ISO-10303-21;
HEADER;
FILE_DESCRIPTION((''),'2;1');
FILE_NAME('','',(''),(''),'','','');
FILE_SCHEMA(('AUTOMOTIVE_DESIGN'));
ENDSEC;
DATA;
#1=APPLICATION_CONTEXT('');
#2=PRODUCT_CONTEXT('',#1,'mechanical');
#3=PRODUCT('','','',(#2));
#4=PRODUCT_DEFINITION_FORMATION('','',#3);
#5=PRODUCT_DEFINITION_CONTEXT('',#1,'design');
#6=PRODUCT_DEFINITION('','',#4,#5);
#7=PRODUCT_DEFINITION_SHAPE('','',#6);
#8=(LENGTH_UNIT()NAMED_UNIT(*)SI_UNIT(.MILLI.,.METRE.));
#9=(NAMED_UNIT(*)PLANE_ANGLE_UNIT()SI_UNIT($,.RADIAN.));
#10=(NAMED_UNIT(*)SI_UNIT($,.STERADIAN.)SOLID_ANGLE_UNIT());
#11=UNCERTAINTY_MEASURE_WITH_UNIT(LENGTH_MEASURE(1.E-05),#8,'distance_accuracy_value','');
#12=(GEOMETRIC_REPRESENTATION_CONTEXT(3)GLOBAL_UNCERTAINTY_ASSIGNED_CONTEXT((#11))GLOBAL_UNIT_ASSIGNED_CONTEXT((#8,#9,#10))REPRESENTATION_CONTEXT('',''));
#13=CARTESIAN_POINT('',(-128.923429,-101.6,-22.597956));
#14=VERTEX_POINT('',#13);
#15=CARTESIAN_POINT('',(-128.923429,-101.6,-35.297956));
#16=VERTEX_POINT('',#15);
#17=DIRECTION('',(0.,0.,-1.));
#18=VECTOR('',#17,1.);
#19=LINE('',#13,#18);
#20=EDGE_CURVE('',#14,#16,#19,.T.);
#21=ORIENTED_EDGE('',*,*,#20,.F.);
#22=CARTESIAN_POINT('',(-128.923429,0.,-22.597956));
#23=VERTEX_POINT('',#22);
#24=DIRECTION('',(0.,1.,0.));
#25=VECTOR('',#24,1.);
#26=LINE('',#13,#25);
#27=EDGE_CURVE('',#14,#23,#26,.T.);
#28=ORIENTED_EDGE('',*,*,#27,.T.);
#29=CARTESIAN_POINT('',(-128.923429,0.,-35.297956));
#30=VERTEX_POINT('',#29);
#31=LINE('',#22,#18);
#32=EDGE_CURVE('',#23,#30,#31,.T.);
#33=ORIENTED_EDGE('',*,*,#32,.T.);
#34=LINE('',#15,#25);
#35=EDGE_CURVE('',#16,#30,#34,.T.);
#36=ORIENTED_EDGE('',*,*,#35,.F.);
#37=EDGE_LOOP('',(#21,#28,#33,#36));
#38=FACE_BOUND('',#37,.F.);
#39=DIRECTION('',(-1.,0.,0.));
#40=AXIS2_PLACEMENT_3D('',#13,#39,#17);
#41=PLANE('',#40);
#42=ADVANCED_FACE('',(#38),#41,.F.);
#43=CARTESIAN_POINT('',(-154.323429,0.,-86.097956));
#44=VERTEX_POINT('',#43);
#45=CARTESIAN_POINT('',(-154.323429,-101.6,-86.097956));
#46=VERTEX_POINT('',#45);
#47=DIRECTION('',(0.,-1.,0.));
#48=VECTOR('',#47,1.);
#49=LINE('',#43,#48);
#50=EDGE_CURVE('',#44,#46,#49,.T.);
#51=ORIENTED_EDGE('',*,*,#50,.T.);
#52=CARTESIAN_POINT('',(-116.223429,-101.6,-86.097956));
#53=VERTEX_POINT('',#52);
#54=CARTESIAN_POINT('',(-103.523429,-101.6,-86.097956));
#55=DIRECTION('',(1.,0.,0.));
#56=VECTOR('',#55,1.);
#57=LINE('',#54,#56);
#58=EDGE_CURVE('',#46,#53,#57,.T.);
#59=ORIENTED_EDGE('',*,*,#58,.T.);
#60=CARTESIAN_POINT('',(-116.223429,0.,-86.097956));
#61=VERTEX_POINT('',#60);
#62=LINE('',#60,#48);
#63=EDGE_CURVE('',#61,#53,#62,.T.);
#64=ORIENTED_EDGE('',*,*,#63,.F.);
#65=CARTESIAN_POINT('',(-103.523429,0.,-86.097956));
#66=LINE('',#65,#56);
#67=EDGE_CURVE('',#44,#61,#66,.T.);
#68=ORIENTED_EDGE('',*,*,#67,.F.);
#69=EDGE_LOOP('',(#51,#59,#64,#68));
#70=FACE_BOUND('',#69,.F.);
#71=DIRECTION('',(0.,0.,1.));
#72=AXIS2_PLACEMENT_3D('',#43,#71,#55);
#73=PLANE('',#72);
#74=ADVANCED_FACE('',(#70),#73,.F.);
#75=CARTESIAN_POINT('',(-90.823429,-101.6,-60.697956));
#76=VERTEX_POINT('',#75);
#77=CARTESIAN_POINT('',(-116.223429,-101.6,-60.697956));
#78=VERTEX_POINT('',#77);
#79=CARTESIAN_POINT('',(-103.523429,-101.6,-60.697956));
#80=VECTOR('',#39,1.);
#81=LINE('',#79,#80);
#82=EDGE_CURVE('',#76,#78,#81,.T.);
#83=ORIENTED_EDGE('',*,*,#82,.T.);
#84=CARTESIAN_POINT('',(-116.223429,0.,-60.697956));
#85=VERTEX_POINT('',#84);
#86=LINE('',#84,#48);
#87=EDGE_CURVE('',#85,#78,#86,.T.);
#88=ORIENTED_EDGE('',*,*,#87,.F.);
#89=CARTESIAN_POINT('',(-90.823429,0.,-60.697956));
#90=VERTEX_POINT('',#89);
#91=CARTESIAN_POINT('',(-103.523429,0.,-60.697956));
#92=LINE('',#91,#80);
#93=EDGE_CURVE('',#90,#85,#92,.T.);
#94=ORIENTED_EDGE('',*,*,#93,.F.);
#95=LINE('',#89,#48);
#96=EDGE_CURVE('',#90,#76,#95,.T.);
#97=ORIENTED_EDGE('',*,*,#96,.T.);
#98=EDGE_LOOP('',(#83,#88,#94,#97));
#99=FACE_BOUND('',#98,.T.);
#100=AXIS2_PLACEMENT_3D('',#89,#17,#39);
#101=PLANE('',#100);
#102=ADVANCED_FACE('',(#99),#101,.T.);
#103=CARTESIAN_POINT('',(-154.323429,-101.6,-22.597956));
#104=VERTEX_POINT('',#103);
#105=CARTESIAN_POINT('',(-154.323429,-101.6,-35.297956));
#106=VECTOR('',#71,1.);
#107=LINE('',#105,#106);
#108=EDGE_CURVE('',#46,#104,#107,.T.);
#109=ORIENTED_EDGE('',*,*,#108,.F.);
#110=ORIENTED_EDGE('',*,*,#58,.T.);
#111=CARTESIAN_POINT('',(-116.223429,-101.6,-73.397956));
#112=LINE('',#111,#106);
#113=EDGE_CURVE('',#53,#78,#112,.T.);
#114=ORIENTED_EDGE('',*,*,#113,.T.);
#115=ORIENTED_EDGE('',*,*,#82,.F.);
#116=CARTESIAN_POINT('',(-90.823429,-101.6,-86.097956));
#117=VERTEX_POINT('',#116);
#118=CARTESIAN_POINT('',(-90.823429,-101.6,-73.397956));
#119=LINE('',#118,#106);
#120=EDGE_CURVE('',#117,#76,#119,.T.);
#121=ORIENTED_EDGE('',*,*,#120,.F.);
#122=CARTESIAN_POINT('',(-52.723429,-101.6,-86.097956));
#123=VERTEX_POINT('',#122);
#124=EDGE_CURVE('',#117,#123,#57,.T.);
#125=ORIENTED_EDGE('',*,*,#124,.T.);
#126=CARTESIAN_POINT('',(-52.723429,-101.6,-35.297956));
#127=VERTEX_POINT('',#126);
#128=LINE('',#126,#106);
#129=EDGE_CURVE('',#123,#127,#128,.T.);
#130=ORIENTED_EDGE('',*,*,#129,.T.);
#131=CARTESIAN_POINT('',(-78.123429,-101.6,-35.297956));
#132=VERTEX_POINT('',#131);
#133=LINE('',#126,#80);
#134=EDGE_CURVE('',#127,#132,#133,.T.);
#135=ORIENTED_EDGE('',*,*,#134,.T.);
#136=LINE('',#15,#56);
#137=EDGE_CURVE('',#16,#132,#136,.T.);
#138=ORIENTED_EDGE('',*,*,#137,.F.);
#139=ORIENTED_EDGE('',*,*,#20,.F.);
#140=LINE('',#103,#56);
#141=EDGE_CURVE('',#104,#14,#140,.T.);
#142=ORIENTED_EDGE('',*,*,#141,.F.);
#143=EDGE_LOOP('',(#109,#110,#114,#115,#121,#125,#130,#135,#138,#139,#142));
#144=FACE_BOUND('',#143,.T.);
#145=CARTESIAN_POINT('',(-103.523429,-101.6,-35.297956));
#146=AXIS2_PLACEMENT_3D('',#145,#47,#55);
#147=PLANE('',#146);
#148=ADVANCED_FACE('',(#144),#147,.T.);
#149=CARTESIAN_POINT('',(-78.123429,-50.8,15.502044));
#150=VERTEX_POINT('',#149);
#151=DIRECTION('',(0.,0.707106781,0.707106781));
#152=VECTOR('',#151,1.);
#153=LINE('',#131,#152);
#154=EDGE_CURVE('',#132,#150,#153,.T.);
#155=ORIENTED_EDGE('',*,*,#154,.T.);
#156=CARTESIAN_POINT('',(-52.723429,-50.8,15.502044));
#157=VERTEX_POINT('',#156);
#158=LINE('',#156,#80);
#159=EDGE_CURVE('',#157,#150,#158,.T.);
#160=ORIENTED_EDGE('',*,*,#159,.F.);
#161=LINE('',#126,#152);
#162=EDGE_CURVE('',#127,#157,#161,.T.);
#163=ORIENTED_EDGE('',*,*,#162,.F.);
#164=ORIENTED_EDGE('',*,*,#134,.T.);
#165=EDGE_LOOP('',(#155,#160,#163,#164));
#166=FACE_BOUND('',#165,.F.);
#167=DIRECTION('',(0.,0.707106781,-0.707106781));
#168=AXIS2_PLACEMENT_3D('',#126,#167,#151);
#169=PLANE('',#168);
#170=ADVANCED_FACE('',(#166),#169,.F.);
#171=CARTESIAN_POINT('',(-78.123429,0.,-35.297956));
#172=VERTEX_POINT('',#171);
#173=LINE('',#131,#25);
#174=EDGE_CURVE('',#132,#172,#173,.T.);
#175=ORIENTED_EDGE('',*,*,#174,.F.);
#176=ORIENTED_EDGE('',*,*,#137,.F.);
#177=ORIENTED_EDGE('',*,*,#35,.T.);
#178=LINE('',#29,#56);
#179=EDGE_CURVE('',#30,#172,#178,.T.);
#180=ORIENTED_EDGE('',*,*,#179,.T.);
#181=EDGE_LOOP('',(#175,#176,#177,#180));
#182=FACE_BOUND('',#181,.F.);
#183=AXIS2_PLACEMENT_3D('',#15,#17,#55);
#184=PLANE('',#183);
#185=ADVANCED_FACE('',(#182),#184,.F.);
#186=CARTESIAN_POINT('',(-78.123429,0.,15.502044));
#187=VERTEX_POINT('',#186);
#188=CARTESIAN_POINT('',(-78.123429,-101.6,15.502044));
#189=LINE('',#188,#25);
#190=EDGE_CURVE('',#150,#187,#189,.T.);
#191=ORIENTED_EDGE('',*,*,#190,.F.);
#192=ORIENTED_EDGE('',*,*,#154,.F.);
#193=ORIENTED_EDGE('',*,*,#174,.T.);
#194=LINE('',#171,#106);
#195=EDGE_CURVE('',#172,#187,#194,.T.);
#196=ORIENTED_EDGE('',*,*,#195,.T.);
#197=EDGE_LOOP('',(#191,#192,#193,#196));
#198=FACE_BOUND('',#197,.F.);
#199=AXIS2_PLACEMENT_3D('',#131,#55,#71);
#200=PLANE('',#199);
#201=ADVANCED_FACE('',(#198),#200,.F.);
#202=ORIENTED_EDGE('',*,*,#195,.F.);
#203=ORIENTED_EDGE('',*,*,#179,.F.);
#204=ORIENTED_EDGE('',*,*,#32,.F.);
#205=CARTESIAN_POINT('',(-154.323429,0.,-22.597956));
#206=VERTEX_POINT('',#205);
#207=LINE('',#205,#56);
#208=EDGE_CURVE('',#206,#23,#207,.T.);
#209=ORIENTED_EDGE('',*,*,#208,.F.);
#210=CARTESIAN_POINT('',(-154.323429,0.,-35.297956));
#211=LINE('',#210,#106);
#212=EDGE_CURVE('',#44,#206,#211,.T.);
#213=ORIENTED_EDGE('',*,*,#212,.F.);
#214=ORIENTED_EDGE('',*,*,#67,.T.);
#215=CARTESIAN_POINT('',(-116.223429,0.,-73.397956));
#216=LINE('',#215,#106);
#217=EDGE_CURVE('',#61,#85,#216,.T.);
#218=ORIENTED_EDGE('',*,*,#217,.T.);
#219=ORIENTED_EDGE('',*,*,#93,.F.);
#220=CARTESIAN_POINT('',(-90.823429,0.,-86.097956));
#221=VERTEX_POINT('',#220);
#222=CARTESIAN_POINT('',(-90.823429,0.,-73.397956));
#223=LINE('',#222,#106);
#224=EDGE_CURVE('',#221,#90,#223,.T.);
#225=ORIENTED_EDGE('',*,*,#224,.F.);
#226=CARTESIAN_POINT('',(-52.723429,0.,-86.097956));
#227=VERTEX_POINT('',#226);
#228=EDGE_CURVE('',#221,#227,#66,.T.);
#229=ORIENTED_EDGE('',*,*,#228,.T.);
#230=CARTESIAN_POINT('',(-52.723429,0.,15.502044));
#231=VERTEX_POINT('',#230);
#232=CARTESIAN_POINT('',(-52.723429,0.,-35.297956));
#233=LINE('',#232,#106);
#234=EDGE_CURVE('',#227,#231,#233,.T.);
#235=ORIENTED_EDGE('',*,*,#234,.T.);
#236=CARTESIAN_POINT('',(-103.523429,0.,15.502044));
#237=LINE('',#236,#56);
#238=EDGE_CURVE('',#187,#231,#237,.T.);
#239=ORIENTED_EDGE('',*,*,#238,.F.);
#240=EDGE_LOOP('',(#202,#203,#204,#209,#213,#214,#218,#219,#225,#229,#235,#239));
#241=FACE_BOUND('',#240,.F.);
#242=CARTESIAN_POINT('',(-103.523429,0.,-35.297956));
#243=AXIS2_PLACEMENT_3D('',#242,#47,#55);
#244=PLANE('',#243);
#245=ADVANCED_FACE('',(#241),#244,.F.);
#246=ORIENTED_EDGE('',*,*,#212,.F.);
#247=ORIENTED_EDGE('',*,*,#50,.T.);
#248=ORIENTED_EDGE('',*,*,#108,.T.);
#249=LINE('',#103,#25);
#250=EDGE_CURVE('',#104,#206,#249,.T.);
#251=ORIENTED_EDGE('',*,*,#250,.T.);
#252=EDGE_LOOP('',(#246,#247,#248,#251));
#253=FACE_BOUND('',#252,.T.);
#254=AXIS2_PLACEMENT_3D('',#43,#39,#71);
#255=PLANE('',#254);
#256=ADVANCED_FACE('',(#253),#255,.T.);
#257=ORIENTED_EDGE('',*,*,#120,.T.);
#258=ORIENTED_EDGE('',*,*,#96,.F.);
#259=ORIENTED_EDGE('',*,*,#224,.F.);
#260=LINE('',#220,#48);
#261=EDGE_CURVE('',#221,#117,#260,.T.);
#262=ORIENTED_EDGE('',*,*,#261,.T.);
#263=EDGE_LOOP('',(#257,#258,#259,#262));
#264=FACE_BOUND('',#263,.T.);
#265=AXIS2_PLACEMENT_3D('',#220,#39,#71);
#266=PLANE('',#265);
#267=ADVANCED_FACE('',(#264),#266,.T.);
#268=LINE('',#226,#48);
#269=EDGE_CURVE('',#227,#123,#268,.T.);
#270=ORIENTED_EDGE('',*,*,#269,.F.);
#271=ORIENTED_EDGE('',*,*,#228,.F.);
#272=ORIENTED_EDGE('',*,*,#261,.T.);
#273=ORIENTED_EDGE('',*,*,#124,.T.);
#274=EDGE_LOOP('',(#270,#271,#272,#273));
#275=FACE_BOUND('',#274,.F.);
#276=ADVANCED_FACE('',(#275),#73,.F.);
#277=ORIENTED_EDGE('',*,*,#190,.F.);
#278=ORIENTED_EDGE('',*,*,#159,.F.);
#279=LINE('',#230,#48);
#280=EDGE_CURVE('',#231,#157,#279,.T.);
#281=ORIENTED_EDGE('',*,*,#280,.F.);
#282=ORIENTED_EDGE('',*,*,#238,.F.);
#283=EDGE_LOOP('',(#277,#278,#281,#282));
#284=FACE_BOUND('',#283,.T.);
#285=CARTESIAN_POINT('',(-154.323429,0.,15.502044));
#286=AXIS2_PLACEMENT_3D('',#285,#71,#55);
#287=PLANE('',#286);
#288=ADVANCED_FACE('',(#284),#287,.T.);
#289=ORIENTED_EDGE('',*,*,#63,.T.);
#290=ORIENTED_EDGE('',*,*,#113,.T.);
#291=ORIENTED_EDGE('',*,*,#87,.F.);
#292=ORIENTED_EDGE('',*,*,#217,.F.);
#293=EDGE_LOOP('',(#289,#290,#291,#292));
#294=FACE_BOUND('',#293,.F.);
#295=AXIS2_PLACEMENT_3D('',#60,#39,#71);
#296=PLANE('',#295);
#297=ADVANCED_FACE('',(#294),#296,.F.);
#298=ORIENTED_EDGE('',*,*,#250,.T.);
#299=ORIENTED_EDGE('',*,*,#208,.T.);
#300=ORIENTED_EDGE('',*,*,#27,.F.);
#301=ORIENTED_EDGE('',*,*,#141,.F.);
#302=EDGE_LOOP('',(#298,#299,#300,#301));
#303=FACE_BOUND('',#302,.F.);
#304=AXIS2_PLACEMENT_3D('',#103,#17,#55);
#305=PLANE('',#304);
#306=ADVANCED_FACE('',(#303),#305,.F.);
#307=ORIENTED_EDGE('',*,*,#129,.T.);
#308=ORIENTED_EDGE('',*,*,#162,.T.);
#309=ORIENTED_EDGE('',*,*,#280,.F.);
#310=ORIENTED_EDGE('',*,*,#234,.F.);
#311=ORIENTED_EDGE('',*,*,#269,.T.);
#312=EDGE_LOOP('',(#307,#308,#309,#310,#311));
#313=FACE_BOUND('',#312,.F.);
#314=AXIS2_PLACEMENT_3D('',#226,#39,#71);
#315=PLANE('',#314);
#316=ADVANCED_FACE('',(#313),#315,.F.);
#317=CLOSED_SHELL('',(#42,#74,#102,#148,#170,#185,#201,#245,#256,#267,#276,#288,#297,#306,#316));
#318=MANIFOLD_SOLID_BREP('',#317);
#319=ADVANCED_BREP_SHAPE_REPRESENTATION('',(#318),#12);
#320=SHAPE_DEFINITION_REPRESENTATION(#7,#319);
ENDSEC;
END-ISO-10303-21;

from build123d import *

# Parameters (mm, degrees)
F0_W     = 101.6
F0_H     = 101.6
F1_DEPTH = 101.6
F3_DEPTH = 101.6
F5_DEPTH = 25.4
F6_W     = 25.4
F6_H     = 25.4
F7_DEPTH = 101.6


with BuildPart() as f1:
    # F0 (on Front) → F1 (new body)
    with BuildSketch(Plane.XZ):
        with Locations((-103.523429, -35.297956)):
            Rectangle(F0_W, F0_H)
    extrude(amount=F1_DEPTH)

    # F2 (on face) → F3 (cut)
    with BuildSketch(Plane.XZ.offset(101.6)):
        Polygon((-78.123429, -35.297956), (-78.123429, 15.502044), (-154.323429, 15.502044), (-154.323429, -22.597956), (-128.923429, -22.597956), (-128.923429, -35.297956), align=None)
    extrude(amount=-F3_DEPTH, mode=Mode.SUBTRACT)

    # F4 (on face) → F5 (cut)
    with BuildSketch(Plane.YZ.offset(-52.723429)):
        Polygon((-101.6, 15.502044), (-101.6, -35.297956), (-50.8, 15.502044), align=None)
    extrude(amount=-F5_DEPTH, mode=Mode.SUBTRACT)

    # F6 (on face) → F7 (cut)
    with BuildSketch(Plane(origin=(0, 0, 0), x_dir=(-1, 0, 0), z_dir=(0, 1, 0))):
        with Locations((103.523429, -73.397956)):
            Rectangle(F6_W, F6_H)
    extrude(amount=-F7_DEPTH, mode=Mode.SUBTRACT)


solid = f1.part
